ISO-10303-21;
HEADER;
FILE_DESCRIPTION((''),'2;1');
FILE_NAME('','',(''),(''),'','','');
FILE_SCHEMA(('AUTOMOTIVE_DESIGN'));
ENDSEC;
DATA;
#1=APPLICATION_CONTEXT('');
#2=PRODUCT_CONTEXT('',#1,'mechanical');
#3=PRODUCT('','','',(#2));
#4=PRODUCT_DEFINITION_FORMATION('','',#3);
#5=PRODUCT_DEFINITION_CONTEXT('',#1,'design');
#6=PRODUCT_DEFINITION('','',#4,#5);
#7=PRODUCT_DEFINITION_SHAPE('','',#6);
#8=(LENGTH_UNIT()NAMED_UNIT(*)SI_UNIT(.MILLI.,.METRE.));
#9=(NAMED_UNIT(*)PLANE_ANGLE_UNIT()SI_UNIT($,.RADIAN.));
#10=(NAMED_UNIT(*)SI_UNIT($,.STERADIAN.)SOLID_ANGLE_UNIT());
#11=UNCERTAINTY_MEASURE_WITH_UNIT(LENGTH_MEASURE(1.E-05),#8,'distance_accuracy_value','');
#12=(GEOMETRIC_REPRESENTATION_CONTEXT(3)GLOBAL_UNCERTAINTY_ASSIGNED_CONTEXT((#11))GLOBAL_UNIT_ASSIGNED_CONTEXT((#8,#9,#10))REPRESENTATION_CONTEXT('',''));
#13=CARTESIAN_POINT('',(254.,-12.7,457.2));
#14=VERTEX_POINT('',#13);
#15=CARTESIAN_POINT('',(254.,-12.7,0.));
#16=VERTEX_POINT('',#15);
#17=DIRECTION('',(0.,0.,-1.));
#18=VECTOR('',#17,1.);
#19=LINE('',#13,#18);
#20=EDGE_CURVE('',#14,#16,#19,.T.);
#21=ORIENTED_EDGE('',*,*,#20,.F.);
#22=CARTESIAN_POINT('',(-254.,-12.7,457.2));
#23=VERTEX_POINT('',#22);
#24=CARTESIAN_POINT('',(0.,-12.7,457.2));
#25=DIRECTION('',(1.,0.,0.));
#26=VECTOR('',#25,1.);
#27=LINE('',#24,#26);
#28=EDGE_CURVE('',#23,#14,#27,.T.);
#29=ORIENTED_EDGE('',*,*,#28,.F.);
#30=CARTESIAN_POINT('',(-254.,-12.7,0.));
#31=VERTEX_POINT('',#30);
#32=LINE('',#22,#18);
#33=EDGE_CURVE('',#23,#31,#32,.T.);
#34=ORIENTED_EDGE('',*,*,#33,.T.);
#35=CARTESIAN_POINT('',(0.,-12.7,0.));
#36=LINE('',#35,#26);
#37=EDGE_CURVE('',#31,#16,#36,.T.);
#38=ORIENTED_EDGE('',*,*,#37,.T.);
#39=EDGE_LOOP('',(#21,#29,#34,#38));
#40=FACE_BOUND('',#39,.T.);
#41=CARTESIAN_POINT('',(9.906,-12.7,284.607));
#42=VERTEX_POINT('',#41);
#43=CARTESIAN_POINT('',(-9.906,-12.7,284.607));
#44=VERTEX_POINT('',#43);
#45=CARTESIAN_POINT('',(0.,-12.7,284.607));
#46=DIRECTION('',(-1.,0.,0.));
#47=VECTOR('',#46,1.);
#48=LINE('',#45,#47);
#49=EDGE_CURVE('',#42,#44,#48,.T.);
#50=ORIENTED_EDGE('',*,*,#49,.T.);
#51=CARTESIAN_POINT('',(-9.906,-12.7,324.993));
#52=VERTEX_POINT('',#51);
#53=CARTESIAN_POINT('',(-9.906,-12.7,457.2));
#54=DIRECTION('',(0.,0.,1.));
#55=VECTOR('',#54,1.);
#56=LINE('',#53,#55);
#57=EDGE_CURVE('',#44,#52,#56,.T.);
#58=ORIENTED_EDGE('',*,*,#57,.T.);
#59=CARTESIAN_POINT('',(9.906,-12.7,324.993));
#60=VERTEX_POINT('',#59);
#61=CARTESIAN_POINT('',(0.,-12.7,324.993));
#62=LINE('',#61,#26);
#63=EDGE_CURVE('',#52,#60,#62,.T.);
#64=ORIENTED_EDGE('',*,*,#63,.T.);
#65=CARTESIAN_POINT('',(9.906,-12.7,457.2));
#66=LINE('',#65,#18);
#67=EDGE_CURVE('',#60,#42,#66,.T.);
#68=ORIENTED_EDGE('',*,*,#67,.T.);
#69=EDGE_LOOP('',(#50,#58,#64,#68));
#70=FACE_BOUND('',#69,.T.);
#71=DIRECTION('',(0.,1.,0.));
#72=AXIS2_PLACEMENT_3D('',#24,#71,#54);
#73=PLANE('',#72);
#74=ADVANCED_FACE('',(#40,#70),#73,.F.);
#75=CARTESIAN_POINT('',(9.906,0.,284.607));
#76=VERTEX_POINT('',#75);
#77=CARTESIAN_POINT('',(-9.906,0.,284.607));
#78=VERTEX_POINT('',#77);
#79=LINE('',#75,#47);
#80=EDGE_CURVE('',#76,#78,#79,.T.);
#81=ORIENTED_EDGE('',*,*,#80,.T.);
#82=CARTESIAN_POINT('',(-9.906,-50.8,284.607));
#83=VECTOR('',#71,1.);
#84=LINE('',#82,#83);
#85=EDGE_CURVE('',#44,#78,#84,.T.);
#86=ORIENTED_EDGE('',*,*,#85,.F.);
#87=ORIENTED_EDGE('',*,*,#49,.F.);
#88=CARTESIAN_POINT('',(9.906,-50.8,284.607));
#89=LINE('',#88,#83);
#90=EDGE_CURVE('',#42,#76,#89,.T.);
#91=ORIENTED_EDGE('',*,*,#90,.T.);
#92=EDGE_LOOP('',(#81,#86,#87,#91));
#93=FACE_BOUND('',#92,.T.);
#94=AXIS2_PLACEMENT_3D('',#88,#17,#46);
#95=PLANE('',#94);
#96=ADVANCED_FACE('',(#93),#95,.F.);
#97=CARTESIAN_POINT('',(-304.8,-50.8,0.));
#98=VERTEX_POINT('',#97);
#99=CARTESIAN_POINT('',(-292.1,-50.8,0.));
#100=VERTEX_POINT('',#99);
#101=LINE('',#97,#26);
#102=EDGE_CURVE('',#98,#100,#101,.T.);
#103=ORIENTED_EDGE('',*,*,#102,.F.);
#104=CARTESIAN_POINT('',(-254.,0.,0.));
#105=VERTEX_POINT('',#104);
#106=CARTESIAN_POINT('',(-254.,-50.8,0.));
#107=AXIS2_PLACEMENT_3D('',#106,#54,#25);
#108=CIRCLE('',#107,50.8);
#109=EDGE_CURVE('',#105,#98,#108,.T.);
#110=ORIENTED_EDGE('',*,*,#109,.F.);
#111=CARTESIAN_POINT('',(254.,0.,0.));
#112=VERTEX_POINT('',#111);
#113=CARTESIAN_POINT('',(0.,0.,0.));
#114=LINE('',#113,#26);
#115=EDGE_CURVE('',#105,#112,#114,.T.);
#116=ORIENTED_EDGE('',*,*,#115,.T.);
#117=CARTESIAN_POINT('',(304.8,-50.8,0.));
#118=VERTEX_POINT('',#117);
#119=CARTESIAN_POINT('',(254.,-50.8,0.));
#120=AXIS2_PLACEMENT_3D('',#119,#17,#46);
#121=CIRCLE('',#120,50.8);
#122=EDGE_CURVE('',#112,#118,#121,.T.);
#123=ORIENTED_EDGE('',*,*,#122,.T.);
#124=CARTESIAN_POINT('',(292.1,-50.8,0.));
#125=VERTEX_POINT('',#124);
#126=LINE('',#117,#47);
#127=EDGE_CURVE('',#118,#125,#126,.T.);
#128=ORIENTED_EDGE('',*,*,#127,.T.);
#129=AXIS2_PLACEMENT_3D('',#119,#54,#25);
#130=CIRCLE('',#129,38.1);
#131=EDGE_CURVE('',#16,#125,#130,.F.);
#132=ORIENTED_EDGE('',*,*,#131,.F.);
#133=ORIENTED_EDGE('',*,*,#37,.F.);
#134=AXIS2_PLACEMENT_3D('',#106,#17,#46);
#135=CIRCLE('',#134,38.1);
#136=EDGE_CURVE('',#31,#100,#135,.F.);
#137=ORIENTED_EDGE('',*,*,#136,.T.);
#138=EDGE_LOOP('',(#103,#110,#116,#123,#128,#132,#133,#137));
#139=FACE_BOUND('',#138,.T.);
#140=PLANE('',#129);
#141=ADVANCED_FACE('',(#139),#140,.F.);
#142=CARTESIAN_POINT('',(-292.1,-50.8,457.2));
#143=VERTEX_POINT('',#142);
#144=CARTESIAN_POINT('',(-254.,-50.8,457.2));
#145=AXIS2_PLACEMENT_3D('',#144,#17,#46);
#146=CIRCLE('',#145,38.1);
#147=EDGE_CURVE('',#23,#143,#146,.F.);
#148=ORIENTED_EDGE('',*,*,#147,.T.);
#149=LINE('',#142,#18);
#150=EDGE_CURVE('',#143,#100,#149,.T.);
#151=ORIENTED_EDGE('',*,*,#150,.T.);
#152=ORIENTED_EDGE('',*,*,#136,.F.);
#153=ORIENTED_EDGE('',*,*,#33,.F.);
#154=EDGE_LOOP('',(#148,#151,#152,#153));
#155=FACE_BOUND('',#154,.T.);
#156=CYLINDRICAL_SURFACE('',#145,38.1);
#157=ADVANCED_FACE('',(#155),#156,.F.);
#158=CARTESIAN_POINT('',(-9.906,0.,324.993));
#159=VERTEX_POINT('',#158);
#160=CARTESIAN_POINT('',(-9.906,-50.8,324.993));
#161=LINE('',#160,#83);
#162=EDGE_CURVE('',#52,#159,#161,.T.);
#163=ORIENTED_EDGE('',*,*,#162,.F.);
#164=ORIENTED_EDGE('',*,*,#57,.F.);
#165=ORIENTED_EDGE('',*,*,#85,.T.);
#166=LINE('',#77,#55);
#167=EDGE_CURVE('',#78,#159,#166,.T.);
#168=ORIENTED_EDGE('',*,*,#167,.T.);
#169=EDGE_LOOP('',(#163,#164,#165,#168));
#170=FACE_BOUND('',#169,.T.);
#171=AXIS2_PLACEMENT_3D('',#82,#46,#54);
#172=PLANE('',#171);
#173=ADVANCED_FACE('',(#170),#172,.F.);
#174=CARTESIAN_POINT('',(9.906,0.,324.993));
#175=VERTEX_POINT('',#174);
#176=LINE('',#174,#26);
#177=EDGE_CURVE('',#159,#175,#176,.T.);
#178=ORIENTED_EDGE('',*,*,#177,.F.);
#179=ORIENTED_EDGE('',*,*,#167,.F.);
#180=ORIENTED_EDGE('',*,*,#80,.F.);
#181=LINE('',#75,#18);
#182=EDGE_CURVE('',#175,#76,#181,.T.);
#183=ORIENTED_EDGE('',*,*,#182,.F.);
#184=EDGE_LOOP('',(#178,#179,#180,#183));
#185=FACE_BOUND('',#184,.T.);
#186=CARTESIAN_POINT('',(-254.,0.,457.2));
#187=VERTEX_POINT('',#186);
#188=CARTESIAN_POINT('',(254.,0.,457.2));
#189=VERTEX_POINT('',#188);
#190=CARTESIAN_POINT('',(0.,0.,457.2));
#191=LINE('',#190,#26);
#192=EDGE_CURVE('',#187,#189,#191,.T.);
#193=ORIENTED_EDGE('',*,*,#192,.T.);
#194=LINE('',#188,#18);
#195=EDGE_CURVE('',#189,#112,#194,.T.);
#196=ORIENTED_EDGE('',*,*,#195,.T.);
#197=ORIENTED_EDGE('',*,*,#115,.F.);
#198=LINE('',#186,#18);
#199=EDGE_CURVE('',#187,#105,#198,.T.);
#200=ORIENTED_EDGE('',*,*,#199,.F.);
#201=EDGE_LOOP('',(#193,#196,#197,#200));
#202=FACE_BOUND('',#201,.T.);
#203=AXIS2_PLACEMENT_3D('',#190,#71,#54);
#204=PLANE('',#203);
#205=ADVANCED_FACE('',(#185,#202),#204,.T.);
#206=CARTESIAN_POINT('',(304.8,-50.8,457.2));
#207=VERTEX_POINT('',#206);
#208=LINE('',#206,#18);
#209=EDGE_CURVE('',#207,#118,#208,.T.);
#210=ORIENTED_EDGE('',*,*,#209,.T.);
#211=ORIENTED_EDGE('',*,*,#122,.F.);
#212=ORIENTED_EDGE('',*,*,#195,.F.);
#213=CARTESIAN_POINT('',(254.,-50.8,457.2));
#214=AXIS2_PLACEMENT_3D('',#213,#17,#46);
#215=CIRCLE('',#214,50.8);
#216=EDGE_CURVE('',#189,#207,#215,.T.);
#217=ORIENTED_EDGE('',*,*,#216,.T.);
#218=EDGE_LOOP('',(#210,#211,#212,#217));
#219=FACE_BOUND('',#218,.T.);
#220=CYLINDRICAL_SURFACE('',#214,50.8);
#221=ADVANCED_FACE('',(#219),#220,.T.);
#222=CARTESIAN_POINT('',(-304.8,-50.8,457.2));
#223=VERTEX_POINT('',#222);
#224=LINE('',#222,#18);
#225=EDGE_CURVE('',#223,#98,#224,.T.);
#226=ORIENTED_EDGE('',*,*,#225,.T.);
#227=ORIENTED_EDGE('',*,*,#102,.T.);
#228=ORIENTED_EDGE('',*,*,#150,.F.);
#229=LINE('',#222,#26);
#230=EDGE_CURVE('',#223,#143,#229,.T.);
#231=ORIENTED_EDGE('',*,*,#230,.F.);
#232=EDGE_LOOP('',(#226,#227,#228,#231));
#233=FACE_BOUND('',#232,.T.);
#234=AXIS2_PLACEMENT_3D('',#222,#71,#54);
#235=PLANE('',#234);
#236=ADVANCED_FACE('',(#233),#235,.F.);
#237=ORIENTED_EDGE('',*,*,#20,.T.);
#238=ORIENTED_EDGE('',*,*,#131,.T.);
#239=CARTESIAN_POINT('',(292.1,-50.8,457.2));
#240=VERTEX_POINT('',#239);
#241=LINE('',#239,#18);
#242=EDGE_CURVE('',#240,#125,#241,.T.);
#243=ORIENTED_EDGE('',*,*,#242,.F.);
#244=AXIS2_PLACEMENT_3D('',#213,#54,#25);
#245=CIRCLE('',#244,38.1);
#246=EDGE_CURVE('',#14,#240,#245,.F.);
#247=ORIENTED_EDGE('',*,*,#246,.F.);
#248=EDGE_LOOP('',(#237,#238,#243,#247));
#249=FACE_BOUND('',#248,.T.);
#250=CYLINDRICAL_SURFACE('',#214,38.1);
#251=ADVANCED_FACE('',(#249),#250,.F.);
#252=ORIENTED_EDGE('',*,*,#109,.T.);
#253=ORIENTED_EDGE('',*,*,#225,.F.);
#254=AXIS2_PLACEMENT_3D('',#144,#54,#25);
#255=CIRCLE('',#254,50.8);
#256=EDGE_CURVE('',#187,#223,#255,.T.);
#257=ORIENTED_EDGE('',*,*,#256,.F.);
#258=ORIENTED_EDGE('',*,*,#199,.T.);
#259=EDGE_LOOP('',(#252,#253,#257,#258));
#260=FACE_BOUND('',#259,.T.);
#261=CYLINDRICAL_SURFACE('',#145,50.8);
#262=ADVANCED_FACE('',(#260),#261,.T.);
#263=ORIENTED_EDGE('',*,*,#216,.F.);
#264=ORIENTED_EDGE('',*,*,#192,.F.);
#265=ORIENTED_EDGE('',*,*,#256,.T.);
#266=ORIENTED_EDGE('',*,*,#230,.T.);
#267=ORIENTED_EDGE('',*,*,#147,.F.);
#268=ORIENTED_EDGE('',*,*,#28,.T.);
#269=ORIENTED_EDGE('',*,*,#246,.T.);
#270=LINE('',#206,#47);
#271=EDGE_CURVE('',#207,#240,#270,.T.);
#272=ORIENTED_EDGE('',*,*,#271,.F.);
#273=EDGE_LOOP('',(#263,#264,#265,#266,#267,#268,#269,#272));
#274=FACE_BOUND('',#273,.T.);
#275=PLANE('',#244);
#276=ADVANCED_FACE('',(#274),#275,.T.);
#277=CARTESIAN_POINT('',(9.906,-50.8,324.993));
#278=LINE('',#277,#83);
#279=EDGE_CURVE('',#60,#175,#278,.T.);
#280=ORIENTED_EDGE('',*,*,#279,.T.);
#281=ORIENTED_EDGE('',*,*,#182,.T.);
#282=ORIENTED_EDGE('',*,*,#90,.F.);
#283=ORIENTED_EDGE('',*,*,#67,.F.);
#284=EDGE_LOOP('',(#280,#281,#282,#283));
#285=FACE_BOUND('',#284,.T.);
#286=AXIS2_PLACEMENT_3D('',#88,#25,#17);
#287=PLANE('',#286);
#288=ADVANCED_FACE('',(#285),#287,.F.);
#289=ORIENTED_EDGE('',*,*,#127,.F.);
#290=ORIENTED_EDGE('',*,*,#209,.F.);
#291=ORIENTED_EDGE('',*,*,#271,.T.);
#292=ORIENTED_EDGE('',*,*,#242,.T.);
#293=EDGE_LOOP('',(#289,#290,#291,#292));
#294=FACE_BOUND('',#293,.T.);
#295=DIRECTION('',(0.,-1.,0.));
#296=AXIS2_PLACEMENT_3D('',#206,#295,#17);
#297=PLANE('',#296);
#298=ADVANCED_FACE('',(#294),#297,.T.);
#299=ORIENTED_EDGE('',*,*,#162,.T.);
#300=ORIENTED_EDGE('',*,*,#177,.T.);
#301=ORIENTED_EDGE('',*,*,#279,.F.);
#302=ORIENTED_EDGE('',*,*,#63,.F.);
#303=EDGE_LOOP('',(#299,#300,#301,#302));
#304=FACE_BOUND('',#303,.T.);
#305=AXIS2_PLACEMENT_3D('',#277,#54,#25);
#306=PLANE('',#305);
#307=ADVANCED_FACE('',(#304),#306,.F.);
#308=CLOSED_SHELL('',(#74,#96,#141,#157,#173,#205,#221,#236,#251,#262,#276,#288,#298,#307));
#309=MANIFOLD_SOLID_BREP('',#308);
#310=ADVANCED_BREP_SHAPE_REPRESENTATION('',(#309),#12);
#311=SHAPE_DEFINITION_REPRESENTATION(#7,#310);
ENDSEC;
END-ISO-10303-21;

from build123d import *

# Parameters (mm, degrees)
EXTRUDE_THIN1_DEPTH = 457.2
SKETCH5_W           = 19.812
SKETCH5_H           = 40.386
CUT_EXTRUDE1_DEPTH  = 51.8


with BuildPart() as part:
    # Sketch1 → Extrude-Thin1 (new body)
    with BuildSketch(Plane.XY):
        with BuildLine():
            Line((0, 0), (254, 0))
            ThreePointArc((254, 0), (289.921024484, -14.878975516), (304.8, -50.8))
            Line((304.8, -50.8), (292.1, -50.8))
            ThreePointArc((292.1, -50.8), (280.940768363, -23.859231637), (254, -12.7))
            Line((254, -12.7), (0, -12.7))
            Line((0, -12.7), (0, 0))
        make_face()
    extrude_thin1 = extrude(amount=EXTRUDE_THIN1_DEPTH)

    # Mirror1: Extrude-Thin1 across plane
    add(extrude_thin1.mirror(Plane(origin=(0, -12.7, 457.2), x_dir=(0, 0, 1), z_dir=(-1, 0, 0))))

    # Sketch5 → Cut-Extrude1 (cut, through all)
    with BuildSketch(Plane(origin=(0, 0, 0), x_dir=(1, 0, 0), z_dir=(0, 1, 0))):
        with Locations((0, -304.8)):
            Rectangle(SKETCH5_W, SKETCH5_H)
    extrude(amount=-CUT_EXTRUDE1_DEPTH, mode=Mode.SUBTRACT)


solid = part.part
